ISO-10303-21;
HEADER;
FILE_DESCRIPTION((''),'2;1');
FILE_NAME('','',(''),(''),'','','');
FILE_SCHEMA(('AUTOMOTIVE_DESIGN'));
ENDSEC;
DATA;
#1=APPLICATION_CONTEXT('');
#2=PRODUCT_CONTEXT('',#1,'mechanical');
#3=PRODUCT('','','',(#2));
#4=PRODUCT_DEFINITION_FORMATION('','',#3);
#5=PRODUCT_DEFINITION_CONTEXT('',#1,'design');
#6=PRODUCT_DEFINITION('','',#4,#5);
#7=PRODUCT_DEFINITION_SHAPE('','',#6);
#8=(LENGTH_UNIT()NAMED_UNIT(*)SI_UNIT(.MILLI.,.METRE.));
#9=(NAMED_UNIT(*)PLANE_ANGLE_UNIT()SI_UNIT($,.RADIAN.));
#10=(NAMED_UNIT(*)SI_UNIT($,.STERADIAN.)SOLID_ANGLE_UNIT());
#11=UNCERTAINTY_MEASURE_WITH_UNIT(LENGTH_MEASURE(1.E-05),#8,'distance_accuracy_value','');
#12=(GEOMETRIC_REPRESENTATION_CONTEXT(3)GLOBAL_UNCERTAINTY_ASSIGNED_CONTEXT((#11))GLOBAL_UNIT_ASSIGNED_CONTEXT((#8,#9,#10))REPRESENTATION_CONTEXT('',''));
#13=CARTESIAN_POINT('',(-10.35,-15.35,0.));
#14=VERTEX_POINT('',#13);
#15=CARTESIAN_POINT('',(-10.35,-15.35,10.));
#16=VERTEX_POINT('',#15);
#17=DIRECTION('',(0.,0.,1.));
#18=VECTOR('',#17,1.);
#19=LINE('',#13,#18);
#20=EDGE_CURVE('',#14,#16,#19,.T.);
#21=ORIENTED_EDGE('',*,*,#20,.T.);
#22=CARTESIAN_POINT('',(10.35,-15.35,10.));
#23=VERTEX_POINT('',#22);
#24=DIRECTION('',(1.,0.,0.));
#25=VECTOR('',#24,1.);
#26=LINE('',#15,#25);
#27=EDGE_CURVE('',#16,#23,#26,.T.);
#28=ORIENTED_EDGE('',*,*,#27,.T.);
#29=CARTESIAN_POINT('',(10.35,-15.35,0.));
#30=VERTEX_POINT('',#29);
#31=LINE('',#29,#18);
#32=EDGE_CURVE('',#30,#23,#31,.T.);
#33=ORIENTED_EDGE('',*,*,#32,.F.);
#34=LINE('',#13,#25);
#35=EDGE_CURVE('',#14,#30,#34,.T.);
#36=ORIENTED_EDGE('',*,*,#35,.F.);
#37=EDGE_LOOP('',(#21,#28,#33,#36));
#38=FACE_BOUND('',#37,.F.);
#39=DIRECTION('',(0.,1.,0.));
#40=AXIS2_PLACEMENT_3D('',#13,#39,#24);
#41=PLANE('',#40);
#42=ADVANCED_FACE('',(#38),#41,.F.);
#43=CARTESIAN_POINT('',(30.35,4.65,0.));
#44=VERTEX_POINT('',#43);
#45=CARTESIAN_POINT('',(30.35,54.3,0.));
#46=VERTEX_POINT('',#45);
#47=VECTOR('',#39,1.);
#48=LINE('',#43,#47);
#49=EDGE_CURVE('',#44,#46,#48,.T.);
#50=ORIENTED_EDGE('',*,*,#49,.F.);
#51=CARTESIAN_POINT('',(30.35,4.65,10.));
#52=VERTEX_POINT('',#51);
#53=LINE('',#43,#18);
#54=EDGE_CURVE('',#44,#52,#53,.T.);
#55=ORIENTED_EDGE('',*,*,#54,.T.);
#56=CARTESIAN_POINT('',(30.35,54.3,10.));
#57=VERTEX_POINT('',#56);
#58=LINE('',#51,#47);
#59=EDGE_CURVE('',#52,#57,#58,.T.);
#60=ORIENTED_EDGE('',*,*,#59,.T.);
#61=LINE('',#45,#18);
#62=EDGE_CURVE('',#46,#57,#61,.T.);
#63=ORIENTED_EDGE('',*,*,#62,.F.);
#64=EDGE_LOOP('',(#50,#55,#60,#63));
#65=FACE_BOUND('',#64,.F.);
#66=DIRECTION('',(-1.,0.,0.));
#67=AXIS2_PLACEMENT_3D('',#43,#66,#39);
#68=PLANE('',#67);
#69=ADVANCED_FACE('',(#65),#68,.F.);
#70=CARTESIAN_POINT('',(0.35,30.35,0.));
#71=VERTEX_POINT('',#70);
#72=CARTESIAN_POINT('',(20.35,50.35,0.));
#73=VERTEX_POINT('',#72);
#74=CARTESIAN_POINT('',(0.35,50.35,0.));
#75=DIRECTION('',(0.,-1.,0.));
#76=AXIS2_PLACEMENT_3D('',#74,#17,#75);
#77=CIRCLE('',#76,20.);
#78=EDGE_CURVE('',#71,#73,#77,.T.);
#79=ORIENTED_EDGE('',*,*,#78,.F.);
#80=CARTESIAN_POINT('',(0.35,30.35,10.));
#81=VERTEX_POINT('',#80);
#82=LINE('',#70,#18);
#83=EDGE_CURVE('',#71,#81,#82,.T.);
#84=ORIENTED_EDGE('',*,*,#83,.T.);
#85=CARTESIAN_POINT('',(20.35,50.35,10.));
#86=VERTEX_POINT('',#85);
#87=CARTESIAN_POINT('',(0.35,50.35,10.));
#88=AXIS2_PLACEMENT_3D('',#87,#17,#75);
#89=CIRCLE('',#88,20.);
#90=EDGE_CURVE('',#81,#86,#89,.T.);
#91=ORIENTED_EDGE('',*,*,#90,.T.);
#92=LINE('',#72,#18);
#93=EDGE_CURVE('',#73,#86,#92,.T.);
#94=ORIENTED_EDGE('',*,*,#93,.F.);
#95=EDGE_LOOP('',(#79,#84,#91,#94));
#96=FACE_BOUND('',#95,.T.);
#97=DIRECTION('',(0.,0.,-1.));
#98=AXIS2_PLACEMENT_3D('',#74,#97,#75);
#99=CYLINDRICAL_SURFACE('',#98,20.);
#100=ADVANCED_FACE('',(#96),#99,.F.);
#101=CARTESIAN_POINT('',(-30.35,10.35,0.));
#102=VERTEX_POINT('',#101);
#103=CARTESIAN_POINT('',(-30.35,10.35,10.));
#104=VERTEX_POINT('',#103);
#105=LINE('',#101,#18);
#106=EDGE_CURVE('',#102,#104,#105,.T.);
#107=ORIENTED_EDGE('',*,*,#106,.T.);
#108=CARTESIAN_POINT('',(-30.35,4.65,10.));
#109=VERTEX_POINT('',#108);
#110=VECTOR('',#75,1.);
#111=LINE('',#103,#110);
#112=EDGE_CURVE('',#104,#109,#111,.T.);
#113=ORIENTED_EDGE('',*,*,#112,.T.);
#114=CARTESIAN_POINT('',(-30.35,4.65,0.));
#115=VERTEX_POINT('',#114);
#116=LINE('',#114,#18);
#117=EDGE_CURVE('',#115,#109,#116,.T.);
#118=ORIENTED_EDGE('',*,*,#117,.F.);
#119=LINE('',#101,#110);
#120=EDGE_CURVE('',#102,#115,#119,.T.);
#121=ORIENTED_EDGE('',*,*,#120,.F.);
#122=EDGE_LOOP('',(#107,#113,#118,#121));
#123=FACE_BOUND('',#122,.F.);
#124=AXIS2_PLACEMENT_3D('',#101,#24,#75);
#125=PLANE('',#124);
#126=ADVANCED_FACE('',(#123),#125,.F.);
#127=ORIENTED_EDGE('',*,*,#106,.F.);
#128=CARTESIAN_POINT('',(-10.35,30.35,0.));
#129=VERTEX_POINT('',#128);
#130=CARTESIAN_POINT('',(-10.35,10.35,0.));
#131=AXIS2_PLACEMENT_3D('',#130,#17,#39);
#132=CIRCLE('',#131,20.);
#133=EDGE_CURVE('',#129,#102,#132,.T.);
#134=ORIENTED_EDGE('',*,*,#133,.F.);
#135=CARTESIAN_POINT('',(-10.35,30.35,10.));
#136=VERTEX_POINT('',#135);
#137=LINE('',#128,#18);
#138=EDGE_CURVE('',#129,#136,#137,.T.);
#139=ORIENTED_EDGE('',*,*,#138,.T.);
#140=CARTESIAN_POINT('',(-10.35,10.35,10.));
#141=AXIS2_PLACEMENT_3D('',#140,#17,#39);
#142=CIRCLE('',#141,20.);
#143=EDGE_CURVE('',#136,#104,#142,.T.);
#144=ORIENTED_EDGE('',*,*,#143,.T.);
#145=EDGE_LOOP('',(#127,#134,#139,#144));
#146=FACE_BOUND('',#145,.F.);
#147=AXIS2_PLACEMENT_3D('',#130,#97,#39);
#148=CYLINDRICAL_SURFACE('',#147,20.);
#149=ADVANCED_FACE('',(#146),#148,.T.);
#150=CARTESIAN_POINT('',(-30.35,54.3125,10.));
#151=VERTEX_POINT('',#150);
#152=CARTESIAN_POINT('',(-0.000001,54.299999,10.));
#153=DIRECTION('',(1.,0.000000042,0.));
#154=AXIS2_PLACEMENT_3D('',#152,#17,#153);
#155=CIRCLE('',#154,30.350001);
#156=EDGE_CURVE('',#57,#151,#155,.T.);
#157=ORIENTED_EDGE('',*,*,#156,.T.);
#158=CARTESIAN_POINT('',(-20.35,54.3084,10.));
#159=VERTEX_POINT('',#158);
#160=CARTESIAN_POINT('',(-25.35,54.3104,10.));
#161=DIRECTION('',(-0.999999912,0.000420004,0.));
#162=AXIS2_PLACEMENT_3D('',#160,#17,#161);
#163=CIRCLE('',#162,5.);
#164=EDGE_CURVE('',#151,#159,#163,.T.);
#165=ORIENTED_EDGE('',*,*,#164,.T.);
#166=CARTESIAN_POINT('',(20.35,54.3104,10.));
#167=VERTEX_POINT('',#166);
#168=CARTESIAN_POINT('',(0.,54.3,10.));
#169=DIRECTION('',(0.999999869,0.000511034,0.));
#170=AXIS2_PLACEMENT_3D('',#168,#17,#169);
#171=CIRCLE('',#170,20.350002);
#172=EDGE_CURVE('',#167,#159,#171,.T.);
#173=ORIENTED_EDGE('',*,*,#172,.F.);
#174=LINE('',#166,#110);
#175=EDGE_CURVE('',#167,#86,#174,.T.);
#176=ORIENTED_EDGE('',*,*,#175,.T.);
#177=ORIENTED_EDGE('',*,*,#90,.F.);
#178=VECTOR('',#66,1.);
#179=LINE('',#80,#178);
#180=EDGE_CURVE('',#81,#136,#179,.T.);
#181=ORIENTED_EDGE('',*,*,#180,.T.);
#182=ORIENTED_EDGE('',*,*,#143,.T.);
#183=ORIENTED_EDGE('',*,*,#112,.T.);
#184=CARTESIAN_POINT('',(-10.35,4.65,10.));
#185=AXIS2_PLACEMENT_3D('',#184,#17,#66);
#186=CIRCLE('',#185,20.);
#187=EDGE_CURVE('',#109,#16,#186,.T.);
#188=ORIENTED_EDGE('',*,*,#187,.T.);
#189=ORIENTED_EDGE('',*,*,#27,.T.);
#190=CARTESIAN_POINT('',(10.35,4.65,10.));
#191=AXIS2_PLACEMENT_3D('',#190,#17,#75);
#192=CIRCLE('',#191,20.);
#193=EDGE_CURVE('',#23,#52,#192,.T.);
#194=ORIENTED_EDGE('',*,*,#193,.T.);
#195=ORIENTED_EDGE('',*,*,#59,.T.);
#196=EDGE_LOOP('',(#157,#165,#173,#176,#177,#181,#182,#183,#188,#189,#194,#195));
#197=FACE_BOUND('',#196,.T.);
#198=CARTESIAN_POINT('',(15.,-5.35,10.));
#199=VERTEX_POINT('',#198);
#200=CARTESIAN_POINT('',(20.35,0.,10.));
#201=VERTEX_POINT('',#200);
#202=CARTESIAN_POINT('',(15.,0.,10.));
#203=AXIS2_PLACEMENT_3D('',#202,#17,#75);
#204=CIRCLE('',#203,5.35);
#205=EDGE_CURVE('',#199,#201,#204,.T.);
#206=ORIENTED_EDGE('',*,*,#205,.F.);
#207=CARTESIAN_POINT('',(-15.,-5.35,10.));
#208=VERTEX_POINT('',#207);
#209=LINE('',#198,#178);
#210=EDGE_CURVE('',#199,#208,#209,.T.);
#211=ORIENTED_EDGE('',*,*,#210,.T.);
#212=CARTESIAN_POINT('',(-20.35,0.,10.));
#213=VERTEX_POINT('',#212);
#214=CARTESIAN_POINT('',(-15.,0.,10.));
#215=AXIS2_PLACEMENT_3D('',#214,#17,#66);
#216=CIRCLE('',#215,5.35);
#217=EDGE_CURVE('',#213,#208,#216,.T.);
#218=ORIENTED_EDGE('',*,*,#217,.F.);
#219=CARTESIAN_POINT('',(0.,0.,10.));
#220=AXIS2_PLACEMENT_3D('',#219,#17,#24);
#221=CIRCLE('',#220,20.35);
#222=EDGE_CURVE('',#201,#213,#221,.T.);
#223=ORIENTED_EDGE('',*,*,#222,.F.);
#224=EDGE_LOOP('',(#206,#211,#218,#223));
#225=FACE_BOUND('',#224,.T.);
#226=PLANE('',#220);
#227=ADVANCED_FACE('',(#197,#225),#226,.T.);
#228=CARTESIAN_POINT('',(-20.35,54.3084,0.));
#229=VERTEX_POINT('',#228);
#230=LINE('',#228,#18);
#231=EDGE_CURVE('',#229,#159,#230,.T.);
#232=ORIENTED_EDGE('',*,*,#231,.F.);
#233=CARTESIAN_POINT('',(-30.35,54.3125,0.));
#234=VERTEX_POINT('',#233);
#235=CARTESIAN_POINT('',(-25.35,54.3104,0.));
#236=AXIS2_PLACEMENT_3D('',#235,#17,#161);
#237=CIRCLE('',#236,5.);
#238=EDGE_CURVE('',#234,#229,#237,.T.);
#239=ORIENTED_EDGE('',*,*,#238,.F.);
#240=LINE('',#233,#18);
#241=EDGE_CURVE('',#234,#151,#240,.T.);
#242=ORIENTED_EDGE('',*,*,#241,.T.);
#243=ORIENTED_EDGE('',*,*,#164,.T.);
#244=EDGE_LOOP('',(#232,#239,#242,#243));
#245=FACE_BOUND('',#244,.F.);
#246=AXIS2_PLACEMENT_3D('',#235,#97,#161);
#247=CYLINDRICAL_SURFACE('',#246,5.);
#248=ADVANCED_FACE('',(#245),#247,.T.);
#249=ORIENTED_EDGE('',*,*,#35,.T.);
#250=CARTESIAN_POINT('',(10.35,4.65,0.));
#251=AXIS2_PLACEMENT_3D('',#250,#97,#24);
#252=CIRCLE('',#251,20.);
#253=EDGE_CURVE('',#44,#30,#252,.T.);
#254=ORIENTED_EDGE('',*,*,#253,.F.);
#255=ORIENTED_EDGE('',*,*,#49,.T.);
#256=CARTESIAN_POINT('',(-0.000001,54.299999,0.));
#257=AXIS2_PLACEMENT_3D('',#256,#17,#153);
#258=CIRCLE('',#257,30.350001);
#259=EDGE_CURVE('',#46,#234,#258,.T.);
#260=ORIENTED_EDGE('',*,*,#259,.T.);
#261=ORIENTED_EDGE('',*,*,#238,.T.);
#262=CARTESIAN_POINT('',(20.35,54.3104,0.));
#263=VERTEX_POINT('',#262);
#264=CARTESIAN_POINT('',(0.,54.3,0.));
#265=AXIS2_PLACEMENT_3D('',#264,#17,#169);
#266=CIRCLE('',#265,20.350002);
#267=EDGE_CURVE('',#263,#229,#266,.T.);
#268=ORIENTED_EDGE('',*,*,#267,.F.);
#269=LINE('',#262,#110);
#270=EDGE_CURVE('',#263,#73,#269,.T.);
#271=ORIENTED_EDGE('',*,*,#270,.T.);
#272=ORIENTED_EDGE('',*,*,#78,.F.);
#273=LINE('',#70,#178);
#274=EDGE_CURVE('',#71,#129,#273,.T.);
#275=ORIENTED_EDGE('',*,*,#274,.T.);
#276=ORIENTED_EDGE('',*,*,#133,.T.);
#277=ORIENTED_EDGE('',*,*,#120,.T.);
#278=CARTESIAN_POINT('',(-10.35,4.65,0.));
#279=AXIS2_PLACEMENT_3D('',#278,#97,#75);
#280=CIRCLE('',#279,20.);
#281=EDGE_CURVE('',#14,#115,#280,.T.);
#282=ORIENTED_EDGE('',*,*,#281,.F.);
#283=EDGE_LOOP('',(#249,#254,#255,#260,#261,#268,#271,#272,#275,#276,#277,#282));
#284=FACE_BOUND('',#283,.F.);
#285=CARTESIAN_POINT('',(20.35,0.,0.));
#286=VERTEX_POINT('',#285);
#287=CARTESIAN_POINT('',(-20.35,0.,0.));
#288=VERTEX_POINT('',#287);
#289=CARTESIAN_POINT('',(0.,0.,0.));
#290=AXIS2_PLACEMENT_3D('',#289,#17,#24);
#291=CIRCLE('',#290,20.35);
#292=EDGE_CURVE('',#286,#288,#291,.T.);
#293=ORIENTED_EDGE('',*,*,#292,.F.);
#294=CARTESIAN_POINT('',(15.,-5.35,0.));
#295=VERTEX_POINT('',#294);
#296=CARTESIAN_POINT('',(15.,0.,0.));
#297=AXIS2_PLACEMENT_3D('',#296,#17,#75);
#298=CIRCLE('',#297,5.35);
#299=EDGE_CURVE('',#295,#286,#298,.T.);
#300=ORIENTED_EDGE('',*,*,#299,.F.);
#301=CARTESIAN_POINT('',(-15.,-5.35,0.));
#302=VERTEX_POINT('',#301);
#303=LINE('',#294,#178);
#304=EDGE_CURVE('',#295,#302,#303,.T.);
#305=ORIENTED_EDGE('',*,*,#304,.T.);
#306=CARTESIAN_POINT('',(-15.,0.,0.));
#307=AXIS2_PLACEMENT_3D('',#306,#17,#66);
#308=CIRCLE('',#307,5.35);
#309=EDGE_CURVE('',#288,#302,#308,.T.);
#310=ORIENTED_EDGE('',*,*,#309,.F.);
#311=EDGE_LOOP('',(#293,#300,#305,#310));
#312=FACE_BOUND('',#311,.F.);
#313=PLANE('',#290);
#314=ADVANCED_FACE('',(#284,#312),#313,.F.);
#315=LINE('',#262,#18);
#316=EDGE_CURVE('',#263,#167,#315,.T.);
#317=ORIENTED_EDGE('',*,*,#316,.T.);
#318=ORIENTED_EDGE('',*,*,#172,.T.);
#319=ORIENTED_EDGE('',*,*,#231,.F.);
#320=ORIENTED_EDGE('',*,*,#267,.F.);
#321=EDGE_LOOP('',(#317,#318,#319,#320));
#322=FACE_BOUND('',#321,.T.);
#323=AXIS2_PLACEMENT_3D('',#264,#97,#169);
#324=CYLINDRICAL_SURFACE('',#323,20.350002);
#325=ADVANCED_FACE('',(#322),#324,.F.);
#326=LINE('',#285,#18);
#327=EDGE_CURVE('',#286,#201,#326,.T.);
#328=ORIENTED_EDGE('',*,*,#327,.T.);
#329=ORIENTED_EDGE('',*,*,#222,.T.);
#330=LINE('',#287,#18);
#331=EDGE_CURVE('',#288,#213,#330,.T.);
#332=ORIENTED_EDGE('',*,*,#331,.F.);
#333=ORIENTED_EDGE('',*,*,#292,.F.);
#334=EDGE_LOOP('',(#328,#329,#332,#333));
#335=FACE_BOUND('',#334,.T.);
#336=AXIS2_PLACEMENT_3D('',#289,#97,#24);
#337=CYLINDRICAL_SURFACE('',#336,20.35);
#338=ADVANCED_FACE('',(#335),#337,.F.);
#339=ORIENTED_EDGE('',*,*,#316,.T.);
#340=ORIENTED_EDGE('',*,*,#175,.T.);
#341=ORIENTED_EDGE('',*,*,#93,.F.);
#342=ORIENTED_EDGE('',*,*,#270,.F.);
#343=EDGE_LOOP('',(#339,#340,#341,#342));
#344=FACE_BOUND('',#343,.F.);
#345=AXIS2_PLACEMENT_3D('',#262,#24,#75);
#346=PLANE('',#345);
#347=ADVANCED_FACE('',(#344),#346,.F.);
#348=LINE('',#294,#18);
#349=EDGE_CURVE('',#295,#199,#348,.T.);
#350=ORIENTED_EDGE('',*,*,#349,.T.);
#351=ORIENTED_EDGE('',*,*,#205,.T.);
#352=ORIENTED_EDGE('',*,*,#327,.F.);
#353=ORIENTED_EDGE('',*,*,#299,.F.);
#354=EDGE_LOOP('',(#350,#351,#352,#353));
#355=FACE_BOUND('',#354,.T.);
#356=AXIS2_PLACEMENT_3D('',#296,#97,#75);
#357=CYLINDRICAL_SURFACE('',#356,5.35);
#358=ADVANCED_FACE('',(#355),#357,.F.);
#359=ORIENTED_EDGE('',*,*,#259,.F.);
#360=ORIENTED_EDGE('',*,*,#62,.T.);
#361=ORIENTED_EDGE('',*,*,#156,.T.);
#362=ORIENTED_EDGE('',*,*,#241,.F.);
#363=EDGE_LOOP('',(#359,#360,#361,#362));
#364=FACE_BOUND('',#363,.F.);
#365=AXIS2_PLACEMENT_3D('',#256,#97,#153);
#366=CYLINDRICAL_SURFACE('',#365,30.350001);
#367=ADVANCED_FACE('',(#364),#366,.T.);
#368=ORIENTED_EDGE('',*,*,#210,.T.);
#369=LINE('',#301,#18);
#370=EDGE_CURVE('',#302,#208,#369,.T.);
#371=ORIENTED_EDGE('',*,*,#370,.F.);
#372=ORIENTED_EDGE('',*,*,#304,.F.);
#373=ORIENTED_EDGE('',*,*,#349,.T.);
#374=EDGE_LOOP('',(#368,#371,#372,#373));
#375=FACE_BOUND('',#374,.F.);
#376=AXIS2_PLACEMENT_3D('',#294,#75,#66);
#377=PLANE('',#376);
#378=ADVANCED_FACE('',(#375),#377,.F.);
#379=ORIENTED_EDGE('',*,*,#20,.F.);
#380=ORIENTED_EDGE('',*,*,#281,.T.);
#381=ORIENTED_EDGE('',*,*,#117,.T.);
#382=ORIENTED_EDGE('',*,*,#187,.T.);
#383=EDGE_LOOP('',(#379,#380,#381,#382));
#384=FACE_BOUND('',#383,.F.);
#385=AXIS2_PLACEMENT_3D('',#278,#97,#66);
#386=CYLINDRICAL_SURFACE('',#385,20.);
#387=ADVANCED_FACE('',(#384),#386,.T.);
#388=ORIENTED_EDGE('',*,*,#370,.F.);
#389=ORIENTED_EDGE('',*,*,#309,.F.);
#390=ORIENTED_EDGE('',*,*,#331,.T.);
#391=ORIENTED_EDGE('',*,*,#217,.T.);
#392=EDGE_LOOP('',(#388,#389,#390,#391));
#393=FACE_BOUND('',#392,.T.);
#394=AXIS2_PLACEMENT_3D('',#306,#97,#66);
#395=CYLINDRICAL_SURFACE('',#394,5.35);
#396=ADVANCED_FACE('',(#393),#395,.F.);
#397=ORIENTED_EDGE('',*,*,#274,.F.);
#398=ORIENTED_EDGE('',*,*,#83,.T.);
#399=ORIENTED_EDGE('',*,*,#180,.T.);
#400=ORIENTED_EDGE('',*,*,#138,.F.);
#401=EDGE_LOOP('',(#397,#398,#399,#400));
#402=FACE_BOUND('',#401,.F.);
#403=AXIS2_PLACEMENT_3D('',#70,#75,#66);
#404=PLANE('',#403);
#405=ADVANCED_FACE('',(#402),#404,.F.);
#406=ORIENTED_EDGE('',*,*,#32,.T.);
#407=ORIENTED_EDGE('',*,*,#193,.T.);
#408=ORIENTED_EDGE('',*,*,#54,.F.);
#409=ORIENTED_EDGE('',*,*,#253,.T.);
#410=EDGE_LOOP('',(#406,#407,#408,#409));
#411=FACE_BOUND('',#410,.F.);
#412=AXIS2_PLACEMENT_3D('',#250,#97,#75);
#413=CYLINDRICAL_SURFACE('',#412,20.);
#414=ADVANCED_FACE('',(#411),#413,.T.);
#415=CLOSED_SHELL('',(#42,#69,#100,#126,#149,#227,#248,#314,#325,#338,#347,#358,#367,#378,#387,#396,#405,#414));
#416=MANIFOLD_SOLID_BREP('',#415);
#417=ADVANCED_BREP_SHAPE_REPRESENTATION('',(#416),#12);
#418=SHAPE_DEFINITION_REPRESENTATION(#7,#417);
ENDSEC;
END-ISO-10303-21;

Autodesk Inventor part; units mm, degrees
ref_plane "YZ Plane" through (0, 0, 0) normal (1, 0, 0) x (0, 1, 0)
ref_plane "XZ Plane" through (0, 0, 0) normal (0, 1, 0) x (-1, 0, 0)
ref_plane "XY Plane" through (0, 0, 0) normal (0, 0, 1) x (1, 0, 0)
sketch "Sketch1" plane through (0, 0, 0) normal (0, 0, 1) x (1, 0, 0)
  point P0 (0, 0)
sketch "Sketch2" plane through (0, 0, 0) normal (0, 0, 1) x (1, 0, 0)
  arc A0 (20, 0) -> (-20, 0) centre (0, 0) ccw
  line L0 (-15, -5) -> (15, -5)
  arc A1 (-20, 0) -> (-15, -5) centre (-15, 0) ccw
  arc A2 (15, -5) -> (20, 0) centre (15, 0) ccw
  line L1 (-48.289, 0) -> (48.289, 0) projected
  arc A3 (20.35, 0) -> (-20.35, 0) centre (0, 0) ccw
  arc A4 (15, -5.35) -> (20.35, 0) centre (15, 0) ccw
  line L2 (15, -5.35) -> (-15, -5.35)
  arc A5 (-20.35, 0) -> (-15, -5.35) centre (-15, 0) ccw
  line L3 (-10.35, -15.35) -> (10.35, -15.35)
  line L4 (30.35, 4.65) -> (30.35, 54.3)
  arc A6 (30.35, 54.3) -> (-30.35, 54.3125) centre (0, 54.3) ccw
  arc A7 (20.35, 54.3104) -> (-20.35, 54.3084) centre (0, 54.3) ccw
  line L5 (20.35, 54.3104) -> (20.35, 50.35)
  line L6 (0.35, 30.35) -> (-10.35, 30.35)
  line L7 (-30.35, 10.35) -> (-30.35, 4.65)
  arc A8 (-10.35, 30.35) -> (-30.35, 10.35) centre (-10.35, 10.35) ccw
  arc A9 (0.35, 30.35) -> (20.35, 50.35) centre (0.35, 50.35) ccw
  arc A10 (-30.35, 4.65) -> (-10.35, -15.35) centre (-10.35, 4.65) ccw
  arc A11 (10.35, -15.35) -> (30.35, 4.65) centre (10.35, 4.65) ccw
  arc A12 (-30.35, 54.3125) -> (-20.35, 54.3084) centre (-25.35, 54.3104) ccw
  point P0 (0, 20.35)
  point P1 (0.0062, 84.65)
  dimension "d0" = 5
  dimension "d1" = 20
  dimension "d2" = 5
  dimension "d3" = 0.35
  dimension "d4" = 10
  dimension "d5" = 10
  dimension "d6" = 10
  dimension "d7" = 10
  dimension "d8" = 10
  dimension "d9" = 10
  dimension "d11" = 100
  dimension "d12" = 20
extrude "Extrusion1" add sketch "Sketch2" along normal blind 10 contours A3 L1 A10 L7 A8 L6 A9 L5 A7 A12 A6 L4 A11 | L1 A11 L3 A10 A5 L2 A4
